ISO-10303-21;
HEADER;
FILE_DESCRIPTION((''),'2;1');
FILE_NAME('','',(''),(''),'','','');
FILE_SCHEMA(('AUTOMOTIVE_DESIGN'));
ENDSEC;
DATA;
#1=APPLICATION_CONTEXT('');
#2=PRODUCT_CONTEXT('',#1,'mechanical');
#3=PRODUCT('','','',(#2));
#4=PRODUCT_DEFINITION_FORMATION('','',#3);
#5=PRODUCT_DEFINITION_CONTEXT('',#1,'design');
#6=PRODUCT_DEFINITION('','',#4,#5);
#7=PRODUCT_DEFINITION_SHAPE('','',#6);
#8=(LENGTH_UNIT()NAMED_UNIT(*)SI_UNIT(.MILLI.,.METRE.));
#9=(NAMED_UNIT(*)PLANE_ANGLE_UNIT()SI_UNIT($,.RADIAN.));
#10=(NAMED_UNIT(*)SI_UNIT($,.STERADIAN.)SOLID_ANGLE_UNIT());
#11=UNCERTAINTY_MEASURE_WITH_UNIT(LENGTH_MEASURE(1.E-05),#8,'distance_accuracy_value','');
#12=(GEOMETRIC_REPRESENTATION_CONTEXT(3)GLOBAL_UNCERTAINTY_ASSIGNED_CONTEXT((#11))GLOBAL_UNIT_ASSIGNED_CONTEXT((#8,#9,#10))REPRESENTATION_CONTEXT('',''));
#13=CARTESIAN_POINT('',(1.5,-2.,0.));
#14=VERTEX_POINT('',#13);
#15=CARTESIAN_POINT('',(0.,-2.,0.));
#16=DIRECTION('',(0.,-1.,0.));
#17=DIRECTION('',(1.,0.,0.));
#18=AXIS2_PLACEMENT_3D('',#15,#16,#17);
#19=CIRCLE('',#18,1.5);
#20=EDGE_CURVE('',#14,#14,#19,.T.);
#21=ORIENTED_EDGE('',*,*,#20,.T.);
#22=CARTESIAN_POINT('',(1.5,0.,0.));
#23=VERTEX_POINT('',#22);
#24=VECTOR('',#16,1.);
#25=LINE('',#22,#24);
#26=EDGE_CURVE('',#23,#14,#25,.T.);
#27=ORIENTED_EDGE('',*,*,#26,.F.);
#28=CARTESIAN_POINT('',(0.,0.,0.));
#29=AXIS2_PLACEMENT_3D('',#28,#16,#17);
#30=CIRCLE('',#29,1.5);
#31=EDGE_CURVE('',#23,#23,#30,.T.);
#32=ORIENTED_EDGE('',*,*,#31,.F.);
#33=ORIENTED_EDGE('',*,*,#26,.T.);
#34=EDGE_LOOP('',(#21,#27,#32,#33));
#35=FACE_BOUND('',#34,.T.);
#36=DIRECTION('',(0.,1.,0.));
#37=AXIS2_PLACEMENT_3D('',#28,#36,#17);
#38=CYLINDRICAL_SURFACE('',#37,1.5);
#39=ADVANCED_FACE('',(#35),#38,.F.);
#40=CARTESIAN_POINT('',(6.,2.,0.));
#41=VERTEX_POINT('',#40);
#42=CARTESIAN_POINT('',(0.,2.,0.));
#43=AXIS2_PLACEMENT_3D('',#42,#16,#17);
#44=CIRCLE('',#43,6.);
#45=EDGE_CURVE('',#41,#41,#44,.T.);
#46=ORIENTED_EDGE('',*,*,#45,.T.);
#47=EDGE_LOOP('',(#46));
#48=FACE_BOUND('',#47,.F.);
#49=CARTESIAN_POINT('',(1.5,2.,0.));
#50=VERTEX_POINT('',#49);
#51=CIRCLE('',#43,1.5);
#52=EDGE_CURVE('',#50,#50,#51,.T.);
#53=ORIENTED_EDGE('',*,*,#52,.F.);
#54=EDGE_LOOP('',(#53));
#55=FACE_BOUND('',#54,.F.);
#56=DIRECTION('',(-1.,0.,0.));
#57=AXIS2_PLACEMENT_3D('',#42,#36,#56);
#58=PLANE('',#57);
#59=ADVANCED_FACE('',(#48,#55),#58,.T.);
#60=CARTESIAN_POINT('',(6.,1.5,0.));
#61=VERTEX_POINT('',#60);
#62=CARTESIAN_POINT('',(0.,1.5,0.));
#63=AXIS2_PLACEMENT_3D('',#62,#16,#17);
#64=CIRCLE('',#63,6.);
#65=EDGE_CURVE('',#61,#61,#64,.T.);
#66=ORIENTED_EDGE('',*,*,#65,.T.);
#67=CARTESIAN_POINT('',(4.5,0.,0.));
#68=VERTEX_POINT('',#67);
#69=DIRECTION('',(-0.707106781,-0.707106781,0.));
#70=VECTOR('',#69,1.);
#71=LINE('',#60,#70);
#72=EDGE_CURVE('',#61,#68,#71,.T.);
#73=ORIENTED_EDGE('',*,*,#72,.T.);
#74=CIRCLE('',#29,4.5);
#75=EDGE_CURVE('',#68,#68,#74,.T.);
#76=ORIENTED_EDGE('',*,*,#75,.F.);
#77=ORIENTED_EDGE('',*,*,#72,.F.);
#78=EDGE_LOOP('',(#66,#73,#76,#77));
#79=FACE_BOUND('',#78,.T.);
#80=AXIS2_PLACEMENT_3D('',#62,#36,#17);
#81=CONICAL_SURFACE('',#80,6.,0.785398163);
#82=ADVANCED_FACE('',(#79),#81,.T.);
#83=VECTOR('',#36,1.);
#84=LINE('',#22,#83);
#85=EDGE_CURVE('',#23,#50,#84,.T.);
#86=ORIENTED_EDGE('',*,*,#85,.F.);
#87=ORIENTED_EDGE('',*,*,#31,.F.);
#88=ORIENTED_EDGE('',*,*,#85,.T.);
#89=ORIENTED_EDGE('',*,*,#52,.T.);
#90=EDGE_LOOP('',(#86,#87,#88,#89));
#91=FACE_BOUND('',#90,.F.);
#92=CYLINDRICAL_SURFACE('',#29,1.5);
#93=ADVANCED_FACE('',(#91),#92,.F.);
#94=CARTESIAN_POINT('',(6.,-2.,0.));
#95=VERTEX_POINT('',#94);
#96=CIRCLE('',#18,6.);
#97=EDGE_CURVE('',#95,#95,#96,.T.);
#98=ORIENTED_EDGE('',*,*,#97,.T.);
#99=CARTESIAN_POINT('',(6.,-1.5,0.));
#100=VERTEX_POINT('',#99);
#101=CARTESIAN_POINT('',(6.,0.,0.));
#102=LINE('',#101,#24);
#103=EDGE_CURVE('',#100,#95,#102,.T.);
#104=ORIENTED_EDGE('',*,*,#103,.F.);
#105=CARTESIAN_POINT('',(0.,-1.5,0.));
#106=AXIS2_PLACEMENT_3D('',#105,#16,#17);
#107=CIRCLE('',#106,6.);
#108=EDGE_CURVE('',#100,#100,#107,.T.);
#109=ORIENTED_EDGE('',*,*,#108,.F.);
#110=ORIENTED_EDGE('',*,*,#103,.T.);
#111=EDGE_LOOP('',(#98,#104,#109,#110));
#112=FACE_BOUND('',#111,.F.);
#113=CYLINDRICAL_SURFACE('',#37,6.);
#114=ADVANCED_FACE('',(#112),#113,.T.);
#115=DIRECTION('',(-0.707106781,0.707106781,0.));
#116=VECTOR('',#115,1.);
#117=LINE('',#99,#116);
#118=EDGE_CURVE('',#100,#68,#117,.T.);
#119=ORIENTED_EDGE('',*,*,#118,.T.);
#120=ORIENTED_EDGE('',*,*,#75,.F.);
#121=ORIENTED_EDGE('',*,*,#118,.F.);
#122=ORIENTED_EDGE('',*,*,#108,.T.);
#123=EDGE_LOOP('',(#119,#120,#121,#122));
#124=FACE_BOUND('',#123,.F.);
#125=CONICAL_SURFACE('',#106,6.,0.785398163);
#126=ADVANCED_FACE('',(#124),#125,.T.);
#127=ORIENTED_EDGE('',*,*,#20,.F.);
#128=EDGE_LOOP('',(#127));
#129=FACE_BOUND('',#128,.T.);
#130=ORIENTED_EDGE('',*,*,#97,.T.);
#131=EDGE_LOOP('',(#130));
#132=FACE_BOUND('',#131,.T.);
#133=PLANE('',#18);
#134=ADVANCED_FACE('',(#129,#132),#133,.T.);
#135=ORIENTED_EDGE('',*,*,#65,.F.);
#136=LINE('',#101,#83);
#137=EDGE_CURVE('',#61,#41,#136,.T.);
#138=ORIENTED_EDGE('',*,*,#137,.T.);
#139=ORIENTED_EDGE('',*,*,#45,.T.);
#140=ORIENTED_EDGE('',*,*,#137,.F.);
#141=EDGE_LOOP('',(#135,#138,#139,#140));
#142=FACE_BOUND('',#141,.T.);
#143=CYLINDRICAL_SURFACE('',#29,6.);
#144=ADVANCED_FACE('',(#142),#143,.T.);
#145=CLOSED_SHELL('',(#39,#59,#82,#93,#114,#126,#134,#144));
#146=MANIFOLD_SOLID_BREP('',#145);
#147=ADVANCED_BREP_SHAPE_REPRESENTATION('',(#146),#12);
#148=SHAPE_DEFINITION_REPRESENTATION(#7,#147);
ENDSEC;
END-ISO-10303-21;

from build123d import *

# Parameters (mm, degrees)
F0_R     = 6
F0_R_2   = 1.5
F1_DEPTH = 2
F2_SIZE  = 1.5


with BuildPart() as f1:
    # F0 (on Front) → F1 (new body)
    with BuildSketch(Plane.XZ):
        Circle(F0_R)
        Circle(F0_R_2, mode=Mode.SUBTRACT)
    extrude(amount=F1_DEPTH)

    # F2
    f2_edges = [f1.edges().sort_by_distance(p)[0] for p in [
        (-6, 0, 0),
    ]]
    chamfer(f2_edges, length=F2_SIZE)

    # F3: F1 across plane


with BuildPart() as f1_1:
    add(f1.part)
    add(f1.part.mirror(Plane.XZ))


solid = f1_1.part
